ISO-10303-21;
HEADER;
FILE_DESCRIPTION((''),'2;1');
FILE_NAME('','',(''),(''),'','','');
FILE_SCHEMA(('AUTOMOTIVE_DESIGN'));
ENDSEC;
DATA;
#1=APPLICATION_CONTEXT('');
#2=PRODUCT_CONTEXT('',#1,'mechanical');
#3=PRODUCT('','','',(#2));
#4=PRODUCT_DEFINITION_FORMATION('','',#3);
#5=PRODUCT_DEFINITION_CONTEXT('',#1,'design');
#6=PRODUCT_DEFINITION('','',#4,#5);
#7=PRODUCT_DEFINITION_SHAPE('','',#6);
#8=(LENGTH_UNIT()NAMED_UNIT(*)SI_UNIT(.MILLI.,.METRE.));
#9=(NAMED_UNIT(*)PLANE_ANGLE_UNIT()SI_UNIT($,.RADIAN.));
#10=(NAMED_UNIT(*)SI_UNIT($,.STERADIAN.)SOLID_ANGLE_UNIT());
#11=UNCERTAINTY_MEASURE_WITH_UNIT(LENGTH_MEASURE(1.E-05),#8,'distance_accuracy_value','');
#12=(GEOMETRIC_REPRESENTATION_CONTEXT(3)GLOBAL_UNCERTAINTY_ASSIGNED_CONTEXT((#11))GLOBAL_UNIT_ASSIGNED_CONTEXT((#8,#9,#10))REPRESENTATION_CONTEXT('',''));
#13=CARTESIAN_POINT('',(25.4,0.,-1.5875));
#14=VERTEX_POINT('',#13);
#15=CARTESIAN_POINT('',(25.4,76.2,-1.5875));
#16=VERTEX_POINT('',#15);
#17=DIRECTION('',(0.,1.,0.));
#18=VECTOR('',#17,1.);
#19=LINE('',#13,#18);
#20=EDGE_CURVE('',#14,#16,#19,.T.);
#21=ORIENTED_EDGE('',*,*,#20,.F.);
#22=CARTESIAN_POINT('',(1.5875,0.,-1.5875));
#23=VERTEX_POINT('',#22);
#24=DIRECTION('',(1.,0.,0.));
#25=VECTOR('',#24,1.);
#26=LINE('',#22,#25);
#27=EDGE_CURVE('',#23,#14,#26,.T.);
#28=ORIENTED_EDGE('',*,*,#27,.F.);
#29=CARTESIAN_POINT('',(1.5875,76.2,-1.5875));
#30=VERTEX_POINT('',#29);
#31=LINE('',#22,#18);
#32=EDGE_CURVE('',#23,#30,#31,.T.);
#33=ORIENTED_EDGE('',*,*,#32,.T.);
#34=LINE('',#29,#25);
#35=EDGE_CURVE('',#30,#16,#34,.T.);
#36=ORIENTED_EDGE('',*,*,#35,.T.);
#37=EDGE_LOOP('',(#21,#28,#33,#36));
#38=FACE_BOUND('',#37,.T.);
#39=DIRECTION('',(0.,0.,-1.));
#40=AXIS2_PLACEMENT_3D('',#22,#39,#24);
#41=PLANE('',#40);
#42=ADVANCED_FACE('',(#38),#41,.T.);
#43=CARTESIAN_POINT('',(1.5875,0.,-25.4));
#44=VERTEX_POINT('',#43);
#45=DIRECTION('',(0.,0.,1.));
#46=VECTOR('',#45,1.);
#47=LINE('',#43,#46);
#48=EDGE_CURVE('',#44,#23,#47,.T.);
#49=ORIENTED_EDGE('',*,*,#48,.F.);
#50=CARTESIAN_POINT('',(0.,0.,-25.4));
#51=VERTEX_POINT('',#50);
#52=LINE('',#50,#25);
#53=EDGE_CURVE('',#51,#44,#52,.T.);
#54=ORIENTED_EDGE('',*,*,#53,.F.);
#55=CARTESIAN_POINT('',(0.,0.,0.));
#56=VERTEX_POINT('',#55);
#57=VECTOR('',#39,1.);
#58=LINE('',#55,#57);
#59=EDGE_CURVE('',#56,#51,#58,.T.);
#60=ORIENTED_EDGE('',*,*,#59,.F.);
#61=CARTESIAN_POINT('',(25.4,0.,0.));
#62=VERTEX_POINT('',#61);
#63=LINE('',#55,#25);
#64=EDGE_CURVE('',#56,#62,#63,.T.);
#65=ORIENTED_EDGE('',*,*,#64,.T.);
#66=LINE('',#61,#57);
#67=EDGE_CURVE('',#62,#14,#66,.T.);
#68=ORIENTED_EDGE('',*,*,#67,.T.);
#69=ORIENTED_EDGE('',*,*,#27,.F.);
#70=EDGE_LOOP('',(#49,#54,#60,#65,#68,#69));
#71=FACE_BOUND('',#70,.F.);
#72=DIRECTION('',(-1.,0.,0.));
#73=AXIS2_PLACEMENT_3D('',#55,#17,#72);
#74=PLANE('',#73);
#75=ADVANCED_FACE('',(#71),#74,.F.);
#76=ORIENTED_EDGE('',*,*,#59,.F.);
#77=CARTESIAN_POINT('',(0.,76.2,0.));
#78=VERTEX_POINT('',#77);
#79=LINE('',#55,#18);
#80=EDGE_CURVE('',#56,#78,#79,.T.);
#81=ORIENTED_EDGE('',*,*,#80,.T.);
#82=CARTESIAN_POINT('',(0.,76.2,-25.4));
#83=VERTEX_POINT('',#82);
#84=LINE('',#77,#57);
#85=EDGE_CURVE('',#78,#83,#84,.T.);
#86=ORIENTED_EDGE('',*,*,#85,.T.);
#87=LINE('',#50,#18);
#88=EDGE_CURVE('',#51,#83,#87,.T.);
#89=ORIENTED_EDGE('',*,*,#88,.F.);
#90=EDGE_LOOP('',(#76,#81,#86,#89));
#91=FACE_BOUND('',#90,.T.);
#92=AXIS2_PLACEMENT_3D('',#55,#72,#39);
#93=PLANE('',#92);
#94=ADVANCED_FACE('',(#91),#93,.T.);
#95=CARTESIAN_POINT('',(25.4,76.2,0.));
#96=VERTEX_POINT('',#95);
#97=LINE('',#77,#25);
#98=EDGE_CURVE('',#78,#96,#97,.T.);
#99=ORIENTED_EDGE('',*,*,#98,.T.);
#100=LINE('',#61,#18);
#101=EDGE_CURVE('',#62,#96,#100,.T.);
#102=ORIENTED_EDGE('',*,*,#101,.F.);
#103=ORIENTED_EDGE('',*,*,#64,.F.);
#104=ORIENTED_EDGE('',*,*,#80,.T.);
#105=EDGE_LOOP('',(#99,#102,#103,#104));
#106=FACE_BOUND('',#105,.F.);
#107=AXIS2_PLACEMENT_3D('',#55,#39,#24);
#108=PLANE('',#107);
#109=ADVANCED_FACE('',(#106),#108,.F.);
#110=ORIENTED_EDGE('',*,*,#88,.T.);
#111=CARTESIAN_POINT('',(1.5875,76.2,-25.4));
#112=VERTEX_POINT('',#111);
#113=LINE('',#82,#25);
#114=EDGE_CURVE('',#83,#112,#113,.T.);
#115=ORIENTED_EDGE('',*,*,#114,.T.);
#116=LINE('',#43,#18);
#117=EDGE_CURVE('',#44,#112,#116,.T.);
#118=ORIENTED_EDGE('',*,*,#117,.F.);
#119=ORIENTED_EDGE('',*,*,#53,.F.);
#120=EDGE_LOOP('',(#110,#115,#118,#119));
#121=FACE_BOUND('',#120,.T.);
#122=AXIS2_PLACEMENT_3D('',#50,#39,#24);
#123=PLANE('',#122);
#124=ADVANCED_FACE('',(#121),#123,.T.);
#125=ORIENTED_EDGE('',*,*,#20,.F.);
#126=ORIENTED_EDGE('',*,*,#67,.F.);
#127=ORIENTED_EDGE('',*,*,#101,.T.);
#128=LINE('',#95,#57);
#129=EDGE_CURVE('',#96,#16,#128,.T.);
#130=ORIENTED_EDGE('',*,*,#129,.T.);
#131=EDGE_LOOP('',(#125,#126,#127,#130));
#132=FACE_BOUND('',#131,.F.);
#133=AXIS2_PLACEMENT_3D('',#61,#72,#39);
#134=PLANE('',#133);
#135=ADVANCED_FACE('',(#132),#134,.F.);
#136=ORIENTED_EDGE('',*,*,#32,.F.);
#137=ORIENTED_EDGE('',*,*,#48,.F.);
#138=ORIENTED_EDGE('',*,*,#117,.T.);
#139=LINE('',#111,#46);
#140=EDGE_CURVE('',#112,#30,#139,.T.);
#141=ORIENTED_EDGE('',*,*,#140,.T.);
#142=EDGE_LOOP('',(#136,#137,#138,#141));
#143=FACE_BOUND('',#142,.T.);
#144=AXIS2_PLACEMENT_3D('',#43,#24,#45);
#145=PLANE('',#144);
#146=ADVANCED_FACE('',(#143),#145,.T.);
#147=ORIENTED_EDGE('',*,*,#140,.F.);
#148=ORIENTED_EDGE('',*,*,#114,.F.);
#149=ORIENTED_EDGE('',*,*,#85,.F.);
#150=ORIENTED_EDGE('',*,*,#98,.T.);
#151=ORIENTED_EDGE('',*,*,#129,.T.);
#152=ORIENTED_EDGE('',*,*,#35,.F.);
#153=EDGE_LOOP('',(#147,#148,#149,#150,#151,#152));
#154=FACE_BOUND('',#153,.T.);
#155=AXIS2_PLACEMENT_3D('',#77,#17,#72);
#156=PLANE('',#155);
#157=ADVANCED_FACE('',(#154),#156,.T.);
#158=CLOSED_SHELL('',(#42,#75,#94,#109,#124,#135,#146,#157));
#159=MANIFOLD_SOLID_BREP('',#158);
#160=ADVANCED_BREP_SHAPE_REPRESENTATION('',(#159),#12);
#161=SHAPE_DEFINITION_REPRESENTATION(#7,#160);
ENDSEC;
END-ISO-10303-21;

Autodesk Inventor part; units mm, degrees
ref_plane "YZ Plane" through (0, 0, 0) normal (1, 0, 0) x (0, 1, 0)
ref_plane "XZ Plane" through (0, 0, 0) normal (0, 1, 0) x (-1, 0, 0)
ref_plane "XY Plane" through (0, 0, 0) normal (0, 0, 1) x (1, 0, 0)
sketch "Sketch1" plane through (0, 0, 0) normal (0, 1, 0) x (-1, 0, 0)
  line L0 (0, 0) -> (0, -25.4)
  line L1 (0, 0) -> (-25.4, 0)
  line L2 (-1.5875, -25.4) -> (-1.5875, -1.5875)
  line L3 (-1.5875, -1.5875) -> (-25.4, -1.5875)
  line L4 (0, -25.4) -> (-1.5875, -25.4)
  line L5 (-25.4, 0) -> (-25.4, -1.5875)
  point P0 (0, -12.7)
  dimension "d1" = 25.4
  dimension "d2" = 25.4
  dimension "d3" = 1.5875
extrude "Extrusion1" add sketch "Sketch1" along normal blind 76.2
properties part number "gripper limiter brackets"
